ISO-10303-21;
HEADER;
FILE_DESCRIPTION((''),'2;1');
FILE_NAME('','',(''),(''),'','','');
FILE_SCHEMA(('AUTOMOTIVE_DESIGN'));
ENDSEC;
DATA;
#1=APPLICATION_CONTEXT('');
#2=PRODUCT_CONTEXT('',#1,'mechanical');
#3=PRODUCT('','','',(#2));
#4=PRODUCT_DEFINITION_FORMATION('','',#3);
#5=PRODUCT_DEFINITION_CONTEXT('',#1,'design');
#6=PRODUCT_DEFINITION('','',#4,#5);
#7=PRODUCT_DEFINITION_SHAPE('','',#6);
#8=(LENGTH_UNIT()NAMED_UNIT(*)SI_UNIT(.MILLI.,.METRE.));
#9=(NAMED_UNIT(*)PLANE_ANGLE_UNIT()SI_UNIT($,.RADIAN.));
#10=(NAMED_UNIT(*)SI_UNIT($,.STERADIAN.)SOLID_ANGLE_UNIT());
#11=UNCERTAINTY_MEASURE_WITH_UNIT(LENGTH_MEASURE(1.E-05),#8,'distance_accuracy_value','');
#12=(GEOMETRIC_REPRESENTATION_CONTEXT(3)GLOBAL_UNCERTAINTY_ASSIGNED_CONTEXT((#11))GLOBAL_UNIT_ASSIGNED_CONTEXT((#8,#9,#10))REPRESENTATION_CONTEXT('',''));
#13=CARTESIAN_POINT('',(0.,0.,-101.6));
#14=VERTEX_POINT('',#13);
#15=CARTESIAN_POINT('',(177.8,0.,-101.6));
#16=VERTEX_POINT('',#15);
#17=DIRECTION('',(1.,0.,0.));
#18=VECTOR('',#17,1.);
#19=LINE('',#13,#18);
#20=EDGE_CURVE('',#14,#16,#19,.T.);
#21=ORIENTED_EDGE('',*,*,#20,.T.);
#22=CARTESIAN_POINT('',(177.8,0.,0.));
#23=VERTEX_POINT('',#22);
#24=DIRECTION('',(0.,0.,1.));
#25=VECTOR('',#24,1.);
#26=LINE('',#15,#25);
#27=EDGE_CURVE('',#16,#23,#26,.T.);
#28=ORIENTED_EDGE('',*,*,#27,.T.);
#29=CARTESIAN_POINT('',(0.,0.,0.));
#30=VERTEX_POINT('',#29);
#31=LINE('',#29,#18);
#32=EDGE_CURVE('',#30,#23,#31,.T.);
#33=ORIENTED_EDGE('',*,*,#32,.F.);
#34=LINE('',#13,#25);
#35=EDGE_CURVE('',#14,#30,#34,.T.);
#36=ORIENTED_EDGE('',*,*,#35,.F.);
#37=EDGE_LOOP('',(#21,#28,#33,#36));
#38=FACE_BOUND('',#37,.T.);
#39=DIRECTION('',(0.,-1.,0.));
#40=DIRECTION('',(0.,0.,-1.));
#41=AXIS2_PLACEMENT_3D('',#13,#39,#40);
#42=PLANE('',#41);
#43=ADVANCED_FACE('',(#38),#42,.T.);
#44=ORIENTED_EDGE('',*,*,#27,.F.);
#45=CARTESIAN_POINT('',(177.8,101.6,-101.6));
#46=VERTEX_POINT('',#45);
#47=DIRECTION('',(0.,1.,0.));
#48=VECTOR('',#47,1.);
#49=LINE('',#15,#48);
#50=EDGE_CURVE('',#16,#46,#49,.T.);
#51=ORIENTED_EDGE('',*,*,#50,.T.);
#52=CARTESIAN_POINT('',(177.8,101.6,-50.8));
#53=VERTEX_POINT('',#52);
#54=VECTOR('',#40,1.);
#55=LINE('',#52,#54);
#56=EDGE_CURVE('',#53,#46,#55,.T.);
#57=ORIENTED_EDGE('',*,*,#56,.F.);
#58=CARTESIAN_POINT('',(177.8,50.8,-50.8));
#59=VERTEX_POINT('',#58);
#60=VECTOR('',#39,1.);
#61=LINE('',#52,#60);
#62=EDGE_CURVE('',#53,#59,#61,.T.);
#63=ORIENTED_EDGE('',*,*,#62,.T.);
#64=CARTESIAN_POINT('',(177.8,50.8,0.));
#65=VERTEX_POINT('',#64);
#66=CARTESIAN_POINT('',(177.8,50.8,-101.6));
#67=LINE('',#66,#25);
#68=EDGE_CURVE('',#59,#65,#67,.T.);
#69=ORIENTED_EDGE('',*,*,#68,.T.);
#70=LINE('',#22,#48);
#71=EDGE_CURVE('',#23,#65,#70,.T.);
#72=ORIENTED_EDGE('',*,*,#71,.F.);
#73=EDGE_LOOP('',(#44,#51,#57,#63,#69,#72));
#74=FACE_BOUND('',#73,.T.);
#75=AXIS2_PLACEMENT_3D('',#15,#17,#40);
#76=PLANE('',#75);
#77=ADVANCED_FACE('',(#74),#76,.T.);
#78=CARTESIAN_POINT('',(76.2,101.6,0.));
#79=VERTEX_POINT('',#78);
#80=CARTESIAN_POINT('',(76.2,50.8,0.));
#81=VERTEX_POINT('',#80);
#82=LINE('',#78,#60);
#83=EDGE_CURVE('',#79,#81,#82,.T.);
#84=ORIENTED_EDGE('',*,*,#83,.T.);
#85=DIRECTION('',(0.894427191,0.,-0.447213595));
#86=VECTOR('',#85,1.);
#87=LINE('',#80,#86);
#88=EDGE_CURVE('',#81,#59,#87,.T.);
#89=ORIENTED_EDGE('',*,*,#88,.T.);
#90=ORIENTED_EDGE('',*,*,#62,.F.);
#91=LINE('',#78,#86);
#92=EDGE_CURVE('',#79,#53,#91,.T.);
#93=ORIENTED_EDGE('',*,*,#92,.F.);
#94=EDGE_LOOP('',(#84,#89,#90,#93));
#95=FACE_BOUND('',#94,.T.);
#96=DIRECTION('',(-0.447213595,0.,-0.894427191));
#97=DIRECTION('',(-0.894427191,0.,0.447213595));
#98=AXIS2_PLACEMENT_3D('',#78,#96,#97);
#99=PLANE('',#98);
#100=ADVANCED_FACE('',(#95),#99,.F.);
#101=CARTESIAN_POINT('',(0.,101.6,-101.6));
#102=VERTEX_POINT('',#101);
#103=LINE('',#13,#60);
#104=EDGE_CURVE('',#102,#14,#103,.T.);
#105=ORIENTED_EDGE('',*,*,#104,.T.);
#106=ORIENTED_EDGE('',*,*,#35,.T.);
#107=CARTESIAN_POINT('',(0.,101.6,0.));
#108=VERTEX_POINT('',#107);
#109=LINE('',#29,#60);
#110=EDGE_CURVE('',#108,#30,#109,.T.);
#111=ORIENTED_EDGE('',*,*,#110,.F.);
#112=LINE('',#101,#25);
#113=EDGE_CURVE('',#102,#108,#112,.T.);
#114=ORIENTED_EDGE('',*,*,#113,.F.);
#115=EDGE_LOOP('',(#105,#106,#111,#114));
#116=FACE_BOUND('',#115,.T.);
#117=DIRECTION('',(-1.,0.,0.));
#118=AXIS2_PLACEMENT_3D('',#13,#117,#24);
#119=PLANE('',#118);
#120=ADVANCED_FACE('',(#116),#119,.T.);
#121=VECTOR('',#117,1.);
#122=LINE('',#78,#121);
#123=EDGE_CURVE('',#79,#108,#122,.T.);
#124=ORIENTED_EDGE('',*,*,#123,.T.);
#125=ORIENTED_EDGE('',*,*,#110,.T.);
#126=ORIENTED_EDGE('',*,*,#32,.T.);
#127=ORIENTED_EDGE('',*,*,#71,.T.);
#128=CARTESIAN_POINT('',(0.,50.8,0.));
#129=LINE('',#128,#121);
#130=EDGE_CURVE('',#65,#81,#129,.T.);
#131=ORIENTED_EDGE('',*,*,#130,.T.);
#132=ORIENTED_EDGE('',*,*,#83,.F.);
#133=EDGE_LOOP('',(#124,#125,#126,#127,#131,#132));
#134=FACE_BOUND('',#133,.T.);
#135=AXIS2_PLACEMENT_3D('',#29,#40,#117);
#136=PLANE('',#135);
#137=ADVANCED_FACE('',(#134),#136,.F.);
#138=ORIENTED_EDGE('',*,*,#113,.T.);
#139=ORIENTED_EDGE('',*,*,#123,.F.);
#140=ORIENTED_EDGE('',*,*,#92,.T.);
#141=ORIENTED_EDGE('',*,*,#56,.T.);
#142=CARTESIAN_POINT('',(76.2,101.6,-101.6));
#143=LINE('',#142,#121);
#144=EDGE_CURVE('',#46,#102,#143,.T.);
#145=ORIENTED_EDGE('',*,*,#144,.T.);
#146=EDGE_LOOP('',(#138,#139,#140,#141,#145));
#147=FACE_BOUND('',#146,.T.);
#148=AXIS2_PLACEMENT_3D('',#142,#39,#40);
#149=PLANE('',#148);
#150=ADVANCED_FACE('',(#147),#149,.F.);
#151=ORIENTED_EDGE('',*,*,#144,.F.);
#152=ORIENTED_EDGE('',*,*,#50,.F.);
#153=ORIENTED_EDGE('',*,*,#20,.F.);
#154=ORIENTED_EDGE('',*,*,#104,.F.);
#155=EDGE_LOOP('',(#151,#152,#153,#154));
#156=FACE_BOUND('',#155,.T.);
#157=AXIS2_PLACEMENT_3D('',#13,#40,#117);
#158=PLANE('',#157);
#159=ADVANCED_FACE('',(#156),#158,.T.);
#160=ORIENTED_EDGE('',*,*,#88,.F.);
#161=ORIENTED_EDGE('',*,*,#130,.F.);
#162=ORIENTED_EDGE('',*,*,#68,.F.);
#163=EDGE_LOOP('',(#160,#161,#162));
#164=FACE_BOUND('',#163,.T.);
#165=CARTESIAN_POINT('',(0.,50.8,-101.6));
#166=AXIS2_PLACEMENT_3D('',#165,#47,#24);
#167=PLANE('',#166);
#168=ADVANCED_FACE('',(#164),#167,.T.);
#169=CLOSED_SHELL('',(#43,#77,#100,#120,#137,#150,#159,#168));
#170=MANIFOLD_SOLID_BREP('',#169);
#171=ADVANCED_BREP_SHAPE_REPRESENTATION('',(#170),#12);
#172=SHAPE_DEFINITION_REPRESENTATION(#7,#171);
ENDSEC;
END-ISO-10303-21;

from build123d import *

# Parameters (mm, degrees)
SKETCH1_W           = 177.8
SKETCH1_H           = 50.8
BOSS_EXTRUDE2_DEPTH = 101.6
SKETCH5_W           = 101.6
SKETCH5_H           = 50.8
BOSS_EXTRUDE3_DEPTH = 76.2
BOSS_EXTRUDE4_DEPTH = 50.8
BOSS_EXTRUDE5_REACH = 103.6
SKETCH6_W           = 101.6
SKETCH6_H           = 50.8


with BuildPart() as part:
    # Sketch1 → Boss-Extrude2 (new body)
    with BuildSketch(Plane.XY):
        with Locations((88.9, 25.4)):
            Rectangle(SKETCH1_W, SKETCH1_H)
    extrude(amount=-BOSS_EXTRUDE2_DEPTH)

    # Sketch5 → Boss-Extrude3 (add)
    with BuildSketch(Plane(origin=(0, 0, 0), x_dir=(0, 0, -1), z_dir=(1, 0, 0))):
        with Locations((50.8, 76.2)):
            Rectangle(SKETCH5_W, SKETCH5_H)
    extrude(amount=BOSS_EXTRUDE3_DEPTH)

    # Sketch4 → Boss-Extrude4 (add)
    with BuildSketch(Plane(origin=(0, 50.8, 0), x_dir=(1, 0, 0), z_dir=(0, 1, 0))):
        Polygon((76.2, 50.8), (76.2, 0), (177.8, 50.8), (177.8, 101.6), (177.395806452, 101.6), (177.395806452, 50.8), align=None)
    extrude(amount=BOSS_EXTRUDE4_DEPTH)

    # Sketch6 → Boss-Extrude5 (add, up to next)
    with BuildSketch(Plane(origin=(76.2, 101.6, -101.6), x_dir=(1, 0, 0), z_dir=(0, 0, 1)), mode=Mode.PRIVATE) as boss_extrude5_sk1:
        with Locations((50.8, -25.4)):
            Rectangle(SKETCH6_W, SKETCH6_H)
    boss_extrude5_tool1 = extrude(boss_extrude5_sk1.sketch, amount=BOSS_EXTRUDE5_REACH, mode=Mode.PRIVATE) - part.part
    add(boss_extrude5_tool1.solids().sort_by_distance((127, 76.2, -101.6))[0])


solid = part.part
